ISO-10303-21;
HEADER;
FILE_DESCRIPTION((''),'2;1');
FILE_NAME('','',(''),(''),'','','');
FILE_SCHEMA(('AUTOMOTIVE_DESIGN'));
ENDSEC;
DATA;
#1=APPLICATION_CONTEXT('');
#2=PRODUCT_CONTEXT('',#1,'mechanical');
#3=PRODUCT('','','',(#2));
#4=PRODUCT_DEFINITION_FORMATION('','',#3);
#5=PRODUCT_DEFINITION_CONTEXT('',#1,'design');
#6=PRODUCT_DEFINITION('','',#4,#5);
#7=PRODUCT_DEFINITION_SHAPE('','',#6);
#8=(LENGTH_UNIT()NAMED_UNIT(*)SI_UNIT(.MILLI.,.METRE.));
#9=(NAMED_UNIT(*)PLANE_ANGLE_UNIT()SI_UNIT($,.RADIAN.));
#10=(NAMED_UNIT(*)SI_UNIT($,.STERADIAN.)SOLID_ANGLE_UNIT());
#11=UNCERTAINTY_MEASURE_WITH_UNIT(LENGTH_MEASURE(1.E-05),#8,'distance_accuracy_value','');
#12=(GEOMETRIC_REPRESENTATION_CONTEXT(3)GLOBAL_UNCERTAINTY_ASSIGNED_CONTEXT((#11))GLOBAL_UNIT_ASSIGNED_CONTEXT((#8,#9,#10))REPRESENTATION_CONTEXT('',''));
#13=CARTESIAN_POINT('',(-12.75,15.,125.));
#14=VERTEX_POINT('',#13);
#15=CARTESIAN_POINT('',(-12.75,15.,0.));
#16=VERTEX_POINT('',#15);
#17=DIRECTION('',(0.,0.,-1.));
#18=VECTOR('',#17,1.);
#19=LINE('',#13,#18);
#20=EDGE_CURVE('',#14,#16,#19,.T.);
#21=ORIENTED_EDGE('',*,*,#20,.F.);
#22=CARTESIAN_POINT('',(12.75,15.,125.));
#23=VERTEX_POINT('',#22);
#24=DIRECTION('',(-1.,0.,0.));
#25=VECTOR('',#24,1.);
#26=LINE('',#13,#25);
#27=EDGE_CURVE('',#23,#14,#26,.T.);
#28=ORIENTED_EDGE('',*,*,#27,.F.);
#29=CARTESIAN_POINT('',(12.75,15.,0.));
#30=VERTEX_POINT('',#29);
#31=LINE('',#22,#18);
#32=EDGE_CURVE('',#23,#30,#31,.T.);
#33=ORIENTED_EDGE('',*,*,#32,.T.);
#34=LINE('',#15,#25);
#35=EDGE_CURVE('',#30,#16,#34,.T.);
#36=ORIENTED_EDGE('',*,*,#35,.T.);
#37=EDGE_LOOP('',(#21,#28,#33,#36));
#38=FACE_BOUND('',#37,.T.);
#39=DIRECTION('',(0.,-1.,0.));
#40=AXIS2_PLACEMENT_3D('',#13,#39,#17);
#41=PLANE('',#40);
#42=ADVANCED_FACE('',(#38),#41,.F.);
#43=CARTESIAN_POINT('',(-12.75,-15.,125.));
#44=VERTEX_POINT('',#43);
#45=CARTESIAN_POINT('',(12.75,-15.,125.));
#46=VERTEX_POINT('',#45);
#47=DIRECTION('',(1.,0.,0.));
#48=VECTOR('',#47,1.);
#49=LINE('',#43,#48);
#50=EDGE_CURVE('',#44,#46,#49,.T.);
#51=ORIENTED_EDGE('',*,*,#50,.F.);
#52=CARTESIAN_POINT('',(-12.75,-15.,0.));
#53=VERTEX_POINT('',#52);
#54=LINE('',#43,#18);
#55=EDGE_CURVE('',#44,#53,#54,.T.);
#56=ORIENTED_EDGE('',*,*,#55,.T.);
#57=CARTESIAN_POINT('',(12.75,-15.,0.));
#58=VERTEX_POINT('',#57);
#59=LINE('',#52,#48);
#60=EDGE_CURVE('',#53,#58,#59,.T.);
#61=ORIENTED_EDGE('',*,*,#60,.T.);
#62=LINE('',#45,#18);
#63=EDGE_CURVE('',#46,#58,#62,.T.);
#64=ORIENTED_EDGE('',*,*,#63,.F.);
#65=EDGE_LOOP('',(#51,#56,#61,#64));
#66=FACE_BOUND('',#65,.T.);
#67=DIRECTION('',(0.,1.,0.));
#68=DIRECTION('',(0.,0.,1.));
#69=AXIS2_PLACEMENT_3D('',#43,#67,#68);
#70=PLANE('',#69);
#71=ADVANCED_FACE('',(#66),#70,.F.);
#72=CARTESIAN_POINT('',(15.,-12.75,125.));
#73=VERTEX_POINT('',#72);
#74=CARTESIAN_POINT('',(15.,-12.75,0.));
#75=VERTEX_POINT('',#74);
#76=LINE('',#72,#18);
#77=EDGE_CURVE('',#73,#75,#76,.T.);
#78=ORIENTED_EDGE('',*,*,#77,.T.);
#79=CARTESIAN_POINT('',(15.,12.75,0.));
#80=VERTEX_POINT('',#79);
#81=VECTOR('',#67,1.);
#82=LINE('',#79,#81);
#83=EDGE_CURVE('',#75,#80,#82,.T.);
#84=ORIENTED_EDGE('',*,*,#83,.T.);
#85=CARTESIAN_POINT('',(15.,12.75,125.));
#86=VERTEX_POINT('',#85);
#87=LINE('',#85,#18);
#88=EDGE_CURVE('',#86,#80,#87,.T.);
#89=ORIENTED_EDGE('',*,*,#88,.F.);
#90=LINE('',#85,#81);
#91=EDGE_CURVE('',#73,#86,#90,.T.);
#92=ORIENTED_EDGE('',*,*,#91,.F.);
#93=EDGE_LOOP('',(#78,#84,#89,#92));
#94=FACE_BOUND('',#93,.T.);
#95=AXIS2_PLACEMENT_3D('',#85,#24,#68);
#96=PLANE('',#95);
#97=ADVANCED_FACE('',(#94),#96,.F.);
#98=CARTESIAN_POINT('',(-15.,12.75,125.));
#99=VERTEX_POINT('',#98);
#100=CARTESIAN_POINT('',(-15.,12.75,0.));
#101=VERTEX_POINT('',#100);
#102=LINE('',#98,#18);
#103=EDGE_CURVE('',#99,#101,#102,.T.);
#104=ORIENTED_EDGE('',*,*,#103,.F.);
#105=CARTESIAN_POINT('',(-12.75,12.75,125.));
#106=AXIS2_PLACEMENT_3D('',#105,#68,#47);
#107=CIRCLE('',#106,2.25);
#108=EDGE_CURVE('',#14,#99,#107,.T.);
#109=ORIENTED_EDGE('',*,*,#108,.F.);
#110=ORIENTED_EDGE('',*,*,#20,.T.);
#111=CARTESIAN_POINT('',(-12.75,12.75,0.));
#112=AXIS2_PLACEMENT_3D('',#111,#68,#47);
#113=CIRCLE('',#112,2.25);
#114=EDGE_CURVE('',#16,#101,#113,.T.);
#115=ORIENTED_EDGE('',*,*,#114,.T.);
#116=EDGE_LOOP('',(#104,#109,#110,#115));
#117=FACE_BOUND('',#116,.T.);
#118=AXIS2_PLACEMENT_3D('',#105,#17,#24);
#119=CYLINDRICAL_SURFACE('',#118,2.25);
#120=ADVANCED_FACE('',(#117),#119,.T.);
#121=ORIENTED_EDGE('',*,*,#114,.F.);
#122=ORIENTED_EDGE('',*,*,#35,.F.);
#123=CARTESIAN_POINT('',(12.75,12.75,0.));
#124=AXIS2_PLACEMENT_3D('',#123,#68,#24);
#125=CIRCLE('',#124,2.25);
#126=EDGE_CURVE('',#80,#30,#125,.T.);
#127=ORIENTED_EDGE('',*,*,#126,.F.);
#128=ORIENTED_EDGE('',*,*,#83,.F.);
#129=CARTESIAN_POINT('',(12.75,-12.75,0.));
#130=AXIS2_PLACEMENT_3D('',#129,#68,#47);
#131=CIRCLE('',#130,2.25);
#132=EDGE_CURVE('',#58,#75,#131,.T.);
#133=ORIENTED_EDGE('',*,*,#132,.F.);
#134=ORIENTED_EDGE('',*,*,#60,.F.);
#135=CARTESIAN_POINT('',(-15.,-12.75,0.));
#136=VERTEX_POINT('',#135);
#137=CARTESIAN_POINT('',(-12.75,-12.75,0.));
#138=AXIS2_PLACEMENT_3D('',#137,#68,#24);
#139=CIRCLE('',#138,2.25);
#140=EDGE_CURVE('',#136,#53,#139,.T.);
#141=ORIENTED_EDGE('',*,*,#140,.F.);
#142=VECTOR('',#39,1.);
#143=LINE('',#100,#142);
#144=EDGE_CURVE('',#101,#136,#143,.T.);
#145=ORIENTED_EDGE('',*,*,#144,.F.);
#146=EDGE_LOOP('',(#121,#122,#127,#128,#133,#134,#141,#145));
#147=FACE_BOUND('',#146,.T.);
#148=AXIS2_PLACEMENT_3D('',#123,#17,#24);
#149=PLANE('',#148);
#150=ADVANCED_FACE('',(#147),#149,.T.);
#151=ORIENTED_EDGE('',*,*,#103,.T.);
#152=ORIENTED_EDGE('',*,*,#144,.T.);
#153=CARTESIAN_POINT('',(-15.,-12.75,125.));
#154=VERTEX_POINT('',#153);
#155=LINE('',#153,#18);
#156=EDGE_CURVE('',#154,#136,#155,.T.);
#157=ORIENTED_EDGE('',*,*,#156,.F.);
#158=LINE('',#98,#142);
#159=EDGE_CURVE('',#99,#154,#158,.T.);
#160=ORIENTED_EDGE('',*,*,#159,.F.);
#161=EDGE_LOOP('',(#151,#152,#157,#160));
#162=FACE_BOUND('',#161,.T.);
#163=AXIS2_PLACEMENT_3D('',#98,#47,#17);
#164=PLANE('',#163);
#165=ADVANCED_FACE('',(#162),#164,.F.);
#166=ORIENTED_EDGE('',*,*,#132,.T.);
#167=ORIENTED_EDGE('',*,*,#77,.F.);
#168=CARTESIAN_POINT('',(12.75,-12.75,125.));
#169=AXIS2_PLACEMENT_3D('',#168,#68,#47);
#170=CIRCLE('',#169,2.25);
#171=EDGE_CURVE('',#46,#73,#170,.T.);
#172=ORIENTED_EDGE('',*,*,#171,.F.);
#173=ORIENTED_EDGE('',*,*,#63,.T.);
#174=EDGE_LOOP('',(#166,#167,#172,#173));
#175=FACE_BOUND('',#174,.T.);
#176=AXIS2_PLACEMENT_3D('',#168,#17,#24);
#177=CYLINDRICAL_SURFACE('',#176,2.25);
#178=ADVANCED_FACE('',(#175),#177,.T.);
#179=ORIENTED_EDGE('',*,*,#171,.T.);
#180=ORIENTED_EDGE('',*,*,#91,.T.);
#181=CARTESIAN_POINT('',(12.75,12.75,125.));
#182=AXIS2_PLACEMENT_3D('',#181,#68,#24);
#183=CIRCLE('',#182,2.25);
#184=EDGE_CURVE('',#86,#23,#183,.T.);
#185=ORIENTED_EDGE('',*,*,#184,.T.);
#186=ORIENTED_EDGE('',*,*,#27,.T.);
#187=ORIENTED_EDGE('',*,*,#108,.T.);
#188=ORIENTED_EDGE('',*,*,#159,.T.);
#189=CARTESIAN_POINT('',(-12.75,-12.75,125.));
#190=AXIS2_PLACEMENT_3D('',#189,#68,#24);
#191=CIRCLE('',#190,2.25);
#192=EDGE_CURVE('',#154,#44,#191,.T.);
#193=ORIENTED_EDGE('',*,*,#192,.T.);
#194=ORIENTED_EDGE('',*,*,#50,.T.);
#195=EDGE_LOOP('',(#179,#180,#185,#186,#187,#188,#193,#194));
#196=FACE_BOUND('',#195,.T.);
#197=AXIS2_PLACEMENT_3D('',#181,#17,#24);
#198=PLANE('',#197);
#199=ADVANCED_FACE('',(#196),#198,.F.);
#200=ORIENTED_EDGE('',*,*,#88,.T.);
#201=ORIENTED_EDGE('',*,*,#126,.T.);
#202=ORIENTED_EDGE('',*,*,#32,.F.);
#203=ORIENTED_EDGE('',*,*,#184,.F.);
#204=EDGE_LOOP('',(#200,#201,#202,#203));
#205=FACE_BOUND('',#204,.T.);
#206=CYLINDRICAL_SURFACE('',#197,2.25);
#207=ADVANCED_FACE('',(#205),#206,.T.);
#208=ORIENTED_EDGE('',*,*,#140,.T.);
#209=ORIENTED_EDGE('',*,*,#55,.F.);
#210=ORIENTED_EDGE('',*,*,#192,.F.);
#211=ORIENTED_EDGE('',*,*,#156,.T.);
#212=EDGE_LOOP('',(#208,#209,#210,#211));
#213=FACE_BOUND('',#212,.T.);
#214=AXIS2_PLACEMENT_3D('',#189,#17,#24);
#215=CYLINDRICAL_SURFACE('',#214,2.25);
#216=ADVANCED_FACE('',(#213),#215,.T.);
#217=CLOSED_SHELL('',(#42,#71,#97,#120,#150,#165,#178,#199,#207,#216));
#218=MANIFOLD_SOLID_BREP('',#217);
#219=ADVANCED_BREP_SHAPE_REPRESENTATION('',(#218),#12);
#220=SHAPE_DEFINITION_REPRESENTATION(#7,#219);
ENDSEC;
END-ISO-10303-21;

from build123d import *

# Parameters (mm, degrees)
EXTRUSION1_DEPTH = 125


with BuildPart() as part:
    # Esquisse1 → Extrusion1 (new body)
    with BuildSketch(Plane.XY):
        with BuildLine():
            Line((-15, 12.75), (-15, -12.75))
            ThreePointArc((-15, -12.75), (-14.340990258, -14.340990258), (-12.75, -15))
            Line((-12.75, -15), (12.75, -15))
            ThreePointArc((12.75, -15), (14.340990258, -14.340990258), (15, -12.75))
            Line((15, -12.75), (15, 12.75))
            ThreePointArc((15, 12.75), (14.340990258, 14.340990258), (12.75, 15))
            Line((12.75, 15), (-12.75, 15))
            ThreePointArc((-12.75, 15), (-14.340990258, 14.340990258), (-15, 12.75))
        make_face()
    extrude(amount=EXTRUSION1_DEPTH)


solid = part.part
